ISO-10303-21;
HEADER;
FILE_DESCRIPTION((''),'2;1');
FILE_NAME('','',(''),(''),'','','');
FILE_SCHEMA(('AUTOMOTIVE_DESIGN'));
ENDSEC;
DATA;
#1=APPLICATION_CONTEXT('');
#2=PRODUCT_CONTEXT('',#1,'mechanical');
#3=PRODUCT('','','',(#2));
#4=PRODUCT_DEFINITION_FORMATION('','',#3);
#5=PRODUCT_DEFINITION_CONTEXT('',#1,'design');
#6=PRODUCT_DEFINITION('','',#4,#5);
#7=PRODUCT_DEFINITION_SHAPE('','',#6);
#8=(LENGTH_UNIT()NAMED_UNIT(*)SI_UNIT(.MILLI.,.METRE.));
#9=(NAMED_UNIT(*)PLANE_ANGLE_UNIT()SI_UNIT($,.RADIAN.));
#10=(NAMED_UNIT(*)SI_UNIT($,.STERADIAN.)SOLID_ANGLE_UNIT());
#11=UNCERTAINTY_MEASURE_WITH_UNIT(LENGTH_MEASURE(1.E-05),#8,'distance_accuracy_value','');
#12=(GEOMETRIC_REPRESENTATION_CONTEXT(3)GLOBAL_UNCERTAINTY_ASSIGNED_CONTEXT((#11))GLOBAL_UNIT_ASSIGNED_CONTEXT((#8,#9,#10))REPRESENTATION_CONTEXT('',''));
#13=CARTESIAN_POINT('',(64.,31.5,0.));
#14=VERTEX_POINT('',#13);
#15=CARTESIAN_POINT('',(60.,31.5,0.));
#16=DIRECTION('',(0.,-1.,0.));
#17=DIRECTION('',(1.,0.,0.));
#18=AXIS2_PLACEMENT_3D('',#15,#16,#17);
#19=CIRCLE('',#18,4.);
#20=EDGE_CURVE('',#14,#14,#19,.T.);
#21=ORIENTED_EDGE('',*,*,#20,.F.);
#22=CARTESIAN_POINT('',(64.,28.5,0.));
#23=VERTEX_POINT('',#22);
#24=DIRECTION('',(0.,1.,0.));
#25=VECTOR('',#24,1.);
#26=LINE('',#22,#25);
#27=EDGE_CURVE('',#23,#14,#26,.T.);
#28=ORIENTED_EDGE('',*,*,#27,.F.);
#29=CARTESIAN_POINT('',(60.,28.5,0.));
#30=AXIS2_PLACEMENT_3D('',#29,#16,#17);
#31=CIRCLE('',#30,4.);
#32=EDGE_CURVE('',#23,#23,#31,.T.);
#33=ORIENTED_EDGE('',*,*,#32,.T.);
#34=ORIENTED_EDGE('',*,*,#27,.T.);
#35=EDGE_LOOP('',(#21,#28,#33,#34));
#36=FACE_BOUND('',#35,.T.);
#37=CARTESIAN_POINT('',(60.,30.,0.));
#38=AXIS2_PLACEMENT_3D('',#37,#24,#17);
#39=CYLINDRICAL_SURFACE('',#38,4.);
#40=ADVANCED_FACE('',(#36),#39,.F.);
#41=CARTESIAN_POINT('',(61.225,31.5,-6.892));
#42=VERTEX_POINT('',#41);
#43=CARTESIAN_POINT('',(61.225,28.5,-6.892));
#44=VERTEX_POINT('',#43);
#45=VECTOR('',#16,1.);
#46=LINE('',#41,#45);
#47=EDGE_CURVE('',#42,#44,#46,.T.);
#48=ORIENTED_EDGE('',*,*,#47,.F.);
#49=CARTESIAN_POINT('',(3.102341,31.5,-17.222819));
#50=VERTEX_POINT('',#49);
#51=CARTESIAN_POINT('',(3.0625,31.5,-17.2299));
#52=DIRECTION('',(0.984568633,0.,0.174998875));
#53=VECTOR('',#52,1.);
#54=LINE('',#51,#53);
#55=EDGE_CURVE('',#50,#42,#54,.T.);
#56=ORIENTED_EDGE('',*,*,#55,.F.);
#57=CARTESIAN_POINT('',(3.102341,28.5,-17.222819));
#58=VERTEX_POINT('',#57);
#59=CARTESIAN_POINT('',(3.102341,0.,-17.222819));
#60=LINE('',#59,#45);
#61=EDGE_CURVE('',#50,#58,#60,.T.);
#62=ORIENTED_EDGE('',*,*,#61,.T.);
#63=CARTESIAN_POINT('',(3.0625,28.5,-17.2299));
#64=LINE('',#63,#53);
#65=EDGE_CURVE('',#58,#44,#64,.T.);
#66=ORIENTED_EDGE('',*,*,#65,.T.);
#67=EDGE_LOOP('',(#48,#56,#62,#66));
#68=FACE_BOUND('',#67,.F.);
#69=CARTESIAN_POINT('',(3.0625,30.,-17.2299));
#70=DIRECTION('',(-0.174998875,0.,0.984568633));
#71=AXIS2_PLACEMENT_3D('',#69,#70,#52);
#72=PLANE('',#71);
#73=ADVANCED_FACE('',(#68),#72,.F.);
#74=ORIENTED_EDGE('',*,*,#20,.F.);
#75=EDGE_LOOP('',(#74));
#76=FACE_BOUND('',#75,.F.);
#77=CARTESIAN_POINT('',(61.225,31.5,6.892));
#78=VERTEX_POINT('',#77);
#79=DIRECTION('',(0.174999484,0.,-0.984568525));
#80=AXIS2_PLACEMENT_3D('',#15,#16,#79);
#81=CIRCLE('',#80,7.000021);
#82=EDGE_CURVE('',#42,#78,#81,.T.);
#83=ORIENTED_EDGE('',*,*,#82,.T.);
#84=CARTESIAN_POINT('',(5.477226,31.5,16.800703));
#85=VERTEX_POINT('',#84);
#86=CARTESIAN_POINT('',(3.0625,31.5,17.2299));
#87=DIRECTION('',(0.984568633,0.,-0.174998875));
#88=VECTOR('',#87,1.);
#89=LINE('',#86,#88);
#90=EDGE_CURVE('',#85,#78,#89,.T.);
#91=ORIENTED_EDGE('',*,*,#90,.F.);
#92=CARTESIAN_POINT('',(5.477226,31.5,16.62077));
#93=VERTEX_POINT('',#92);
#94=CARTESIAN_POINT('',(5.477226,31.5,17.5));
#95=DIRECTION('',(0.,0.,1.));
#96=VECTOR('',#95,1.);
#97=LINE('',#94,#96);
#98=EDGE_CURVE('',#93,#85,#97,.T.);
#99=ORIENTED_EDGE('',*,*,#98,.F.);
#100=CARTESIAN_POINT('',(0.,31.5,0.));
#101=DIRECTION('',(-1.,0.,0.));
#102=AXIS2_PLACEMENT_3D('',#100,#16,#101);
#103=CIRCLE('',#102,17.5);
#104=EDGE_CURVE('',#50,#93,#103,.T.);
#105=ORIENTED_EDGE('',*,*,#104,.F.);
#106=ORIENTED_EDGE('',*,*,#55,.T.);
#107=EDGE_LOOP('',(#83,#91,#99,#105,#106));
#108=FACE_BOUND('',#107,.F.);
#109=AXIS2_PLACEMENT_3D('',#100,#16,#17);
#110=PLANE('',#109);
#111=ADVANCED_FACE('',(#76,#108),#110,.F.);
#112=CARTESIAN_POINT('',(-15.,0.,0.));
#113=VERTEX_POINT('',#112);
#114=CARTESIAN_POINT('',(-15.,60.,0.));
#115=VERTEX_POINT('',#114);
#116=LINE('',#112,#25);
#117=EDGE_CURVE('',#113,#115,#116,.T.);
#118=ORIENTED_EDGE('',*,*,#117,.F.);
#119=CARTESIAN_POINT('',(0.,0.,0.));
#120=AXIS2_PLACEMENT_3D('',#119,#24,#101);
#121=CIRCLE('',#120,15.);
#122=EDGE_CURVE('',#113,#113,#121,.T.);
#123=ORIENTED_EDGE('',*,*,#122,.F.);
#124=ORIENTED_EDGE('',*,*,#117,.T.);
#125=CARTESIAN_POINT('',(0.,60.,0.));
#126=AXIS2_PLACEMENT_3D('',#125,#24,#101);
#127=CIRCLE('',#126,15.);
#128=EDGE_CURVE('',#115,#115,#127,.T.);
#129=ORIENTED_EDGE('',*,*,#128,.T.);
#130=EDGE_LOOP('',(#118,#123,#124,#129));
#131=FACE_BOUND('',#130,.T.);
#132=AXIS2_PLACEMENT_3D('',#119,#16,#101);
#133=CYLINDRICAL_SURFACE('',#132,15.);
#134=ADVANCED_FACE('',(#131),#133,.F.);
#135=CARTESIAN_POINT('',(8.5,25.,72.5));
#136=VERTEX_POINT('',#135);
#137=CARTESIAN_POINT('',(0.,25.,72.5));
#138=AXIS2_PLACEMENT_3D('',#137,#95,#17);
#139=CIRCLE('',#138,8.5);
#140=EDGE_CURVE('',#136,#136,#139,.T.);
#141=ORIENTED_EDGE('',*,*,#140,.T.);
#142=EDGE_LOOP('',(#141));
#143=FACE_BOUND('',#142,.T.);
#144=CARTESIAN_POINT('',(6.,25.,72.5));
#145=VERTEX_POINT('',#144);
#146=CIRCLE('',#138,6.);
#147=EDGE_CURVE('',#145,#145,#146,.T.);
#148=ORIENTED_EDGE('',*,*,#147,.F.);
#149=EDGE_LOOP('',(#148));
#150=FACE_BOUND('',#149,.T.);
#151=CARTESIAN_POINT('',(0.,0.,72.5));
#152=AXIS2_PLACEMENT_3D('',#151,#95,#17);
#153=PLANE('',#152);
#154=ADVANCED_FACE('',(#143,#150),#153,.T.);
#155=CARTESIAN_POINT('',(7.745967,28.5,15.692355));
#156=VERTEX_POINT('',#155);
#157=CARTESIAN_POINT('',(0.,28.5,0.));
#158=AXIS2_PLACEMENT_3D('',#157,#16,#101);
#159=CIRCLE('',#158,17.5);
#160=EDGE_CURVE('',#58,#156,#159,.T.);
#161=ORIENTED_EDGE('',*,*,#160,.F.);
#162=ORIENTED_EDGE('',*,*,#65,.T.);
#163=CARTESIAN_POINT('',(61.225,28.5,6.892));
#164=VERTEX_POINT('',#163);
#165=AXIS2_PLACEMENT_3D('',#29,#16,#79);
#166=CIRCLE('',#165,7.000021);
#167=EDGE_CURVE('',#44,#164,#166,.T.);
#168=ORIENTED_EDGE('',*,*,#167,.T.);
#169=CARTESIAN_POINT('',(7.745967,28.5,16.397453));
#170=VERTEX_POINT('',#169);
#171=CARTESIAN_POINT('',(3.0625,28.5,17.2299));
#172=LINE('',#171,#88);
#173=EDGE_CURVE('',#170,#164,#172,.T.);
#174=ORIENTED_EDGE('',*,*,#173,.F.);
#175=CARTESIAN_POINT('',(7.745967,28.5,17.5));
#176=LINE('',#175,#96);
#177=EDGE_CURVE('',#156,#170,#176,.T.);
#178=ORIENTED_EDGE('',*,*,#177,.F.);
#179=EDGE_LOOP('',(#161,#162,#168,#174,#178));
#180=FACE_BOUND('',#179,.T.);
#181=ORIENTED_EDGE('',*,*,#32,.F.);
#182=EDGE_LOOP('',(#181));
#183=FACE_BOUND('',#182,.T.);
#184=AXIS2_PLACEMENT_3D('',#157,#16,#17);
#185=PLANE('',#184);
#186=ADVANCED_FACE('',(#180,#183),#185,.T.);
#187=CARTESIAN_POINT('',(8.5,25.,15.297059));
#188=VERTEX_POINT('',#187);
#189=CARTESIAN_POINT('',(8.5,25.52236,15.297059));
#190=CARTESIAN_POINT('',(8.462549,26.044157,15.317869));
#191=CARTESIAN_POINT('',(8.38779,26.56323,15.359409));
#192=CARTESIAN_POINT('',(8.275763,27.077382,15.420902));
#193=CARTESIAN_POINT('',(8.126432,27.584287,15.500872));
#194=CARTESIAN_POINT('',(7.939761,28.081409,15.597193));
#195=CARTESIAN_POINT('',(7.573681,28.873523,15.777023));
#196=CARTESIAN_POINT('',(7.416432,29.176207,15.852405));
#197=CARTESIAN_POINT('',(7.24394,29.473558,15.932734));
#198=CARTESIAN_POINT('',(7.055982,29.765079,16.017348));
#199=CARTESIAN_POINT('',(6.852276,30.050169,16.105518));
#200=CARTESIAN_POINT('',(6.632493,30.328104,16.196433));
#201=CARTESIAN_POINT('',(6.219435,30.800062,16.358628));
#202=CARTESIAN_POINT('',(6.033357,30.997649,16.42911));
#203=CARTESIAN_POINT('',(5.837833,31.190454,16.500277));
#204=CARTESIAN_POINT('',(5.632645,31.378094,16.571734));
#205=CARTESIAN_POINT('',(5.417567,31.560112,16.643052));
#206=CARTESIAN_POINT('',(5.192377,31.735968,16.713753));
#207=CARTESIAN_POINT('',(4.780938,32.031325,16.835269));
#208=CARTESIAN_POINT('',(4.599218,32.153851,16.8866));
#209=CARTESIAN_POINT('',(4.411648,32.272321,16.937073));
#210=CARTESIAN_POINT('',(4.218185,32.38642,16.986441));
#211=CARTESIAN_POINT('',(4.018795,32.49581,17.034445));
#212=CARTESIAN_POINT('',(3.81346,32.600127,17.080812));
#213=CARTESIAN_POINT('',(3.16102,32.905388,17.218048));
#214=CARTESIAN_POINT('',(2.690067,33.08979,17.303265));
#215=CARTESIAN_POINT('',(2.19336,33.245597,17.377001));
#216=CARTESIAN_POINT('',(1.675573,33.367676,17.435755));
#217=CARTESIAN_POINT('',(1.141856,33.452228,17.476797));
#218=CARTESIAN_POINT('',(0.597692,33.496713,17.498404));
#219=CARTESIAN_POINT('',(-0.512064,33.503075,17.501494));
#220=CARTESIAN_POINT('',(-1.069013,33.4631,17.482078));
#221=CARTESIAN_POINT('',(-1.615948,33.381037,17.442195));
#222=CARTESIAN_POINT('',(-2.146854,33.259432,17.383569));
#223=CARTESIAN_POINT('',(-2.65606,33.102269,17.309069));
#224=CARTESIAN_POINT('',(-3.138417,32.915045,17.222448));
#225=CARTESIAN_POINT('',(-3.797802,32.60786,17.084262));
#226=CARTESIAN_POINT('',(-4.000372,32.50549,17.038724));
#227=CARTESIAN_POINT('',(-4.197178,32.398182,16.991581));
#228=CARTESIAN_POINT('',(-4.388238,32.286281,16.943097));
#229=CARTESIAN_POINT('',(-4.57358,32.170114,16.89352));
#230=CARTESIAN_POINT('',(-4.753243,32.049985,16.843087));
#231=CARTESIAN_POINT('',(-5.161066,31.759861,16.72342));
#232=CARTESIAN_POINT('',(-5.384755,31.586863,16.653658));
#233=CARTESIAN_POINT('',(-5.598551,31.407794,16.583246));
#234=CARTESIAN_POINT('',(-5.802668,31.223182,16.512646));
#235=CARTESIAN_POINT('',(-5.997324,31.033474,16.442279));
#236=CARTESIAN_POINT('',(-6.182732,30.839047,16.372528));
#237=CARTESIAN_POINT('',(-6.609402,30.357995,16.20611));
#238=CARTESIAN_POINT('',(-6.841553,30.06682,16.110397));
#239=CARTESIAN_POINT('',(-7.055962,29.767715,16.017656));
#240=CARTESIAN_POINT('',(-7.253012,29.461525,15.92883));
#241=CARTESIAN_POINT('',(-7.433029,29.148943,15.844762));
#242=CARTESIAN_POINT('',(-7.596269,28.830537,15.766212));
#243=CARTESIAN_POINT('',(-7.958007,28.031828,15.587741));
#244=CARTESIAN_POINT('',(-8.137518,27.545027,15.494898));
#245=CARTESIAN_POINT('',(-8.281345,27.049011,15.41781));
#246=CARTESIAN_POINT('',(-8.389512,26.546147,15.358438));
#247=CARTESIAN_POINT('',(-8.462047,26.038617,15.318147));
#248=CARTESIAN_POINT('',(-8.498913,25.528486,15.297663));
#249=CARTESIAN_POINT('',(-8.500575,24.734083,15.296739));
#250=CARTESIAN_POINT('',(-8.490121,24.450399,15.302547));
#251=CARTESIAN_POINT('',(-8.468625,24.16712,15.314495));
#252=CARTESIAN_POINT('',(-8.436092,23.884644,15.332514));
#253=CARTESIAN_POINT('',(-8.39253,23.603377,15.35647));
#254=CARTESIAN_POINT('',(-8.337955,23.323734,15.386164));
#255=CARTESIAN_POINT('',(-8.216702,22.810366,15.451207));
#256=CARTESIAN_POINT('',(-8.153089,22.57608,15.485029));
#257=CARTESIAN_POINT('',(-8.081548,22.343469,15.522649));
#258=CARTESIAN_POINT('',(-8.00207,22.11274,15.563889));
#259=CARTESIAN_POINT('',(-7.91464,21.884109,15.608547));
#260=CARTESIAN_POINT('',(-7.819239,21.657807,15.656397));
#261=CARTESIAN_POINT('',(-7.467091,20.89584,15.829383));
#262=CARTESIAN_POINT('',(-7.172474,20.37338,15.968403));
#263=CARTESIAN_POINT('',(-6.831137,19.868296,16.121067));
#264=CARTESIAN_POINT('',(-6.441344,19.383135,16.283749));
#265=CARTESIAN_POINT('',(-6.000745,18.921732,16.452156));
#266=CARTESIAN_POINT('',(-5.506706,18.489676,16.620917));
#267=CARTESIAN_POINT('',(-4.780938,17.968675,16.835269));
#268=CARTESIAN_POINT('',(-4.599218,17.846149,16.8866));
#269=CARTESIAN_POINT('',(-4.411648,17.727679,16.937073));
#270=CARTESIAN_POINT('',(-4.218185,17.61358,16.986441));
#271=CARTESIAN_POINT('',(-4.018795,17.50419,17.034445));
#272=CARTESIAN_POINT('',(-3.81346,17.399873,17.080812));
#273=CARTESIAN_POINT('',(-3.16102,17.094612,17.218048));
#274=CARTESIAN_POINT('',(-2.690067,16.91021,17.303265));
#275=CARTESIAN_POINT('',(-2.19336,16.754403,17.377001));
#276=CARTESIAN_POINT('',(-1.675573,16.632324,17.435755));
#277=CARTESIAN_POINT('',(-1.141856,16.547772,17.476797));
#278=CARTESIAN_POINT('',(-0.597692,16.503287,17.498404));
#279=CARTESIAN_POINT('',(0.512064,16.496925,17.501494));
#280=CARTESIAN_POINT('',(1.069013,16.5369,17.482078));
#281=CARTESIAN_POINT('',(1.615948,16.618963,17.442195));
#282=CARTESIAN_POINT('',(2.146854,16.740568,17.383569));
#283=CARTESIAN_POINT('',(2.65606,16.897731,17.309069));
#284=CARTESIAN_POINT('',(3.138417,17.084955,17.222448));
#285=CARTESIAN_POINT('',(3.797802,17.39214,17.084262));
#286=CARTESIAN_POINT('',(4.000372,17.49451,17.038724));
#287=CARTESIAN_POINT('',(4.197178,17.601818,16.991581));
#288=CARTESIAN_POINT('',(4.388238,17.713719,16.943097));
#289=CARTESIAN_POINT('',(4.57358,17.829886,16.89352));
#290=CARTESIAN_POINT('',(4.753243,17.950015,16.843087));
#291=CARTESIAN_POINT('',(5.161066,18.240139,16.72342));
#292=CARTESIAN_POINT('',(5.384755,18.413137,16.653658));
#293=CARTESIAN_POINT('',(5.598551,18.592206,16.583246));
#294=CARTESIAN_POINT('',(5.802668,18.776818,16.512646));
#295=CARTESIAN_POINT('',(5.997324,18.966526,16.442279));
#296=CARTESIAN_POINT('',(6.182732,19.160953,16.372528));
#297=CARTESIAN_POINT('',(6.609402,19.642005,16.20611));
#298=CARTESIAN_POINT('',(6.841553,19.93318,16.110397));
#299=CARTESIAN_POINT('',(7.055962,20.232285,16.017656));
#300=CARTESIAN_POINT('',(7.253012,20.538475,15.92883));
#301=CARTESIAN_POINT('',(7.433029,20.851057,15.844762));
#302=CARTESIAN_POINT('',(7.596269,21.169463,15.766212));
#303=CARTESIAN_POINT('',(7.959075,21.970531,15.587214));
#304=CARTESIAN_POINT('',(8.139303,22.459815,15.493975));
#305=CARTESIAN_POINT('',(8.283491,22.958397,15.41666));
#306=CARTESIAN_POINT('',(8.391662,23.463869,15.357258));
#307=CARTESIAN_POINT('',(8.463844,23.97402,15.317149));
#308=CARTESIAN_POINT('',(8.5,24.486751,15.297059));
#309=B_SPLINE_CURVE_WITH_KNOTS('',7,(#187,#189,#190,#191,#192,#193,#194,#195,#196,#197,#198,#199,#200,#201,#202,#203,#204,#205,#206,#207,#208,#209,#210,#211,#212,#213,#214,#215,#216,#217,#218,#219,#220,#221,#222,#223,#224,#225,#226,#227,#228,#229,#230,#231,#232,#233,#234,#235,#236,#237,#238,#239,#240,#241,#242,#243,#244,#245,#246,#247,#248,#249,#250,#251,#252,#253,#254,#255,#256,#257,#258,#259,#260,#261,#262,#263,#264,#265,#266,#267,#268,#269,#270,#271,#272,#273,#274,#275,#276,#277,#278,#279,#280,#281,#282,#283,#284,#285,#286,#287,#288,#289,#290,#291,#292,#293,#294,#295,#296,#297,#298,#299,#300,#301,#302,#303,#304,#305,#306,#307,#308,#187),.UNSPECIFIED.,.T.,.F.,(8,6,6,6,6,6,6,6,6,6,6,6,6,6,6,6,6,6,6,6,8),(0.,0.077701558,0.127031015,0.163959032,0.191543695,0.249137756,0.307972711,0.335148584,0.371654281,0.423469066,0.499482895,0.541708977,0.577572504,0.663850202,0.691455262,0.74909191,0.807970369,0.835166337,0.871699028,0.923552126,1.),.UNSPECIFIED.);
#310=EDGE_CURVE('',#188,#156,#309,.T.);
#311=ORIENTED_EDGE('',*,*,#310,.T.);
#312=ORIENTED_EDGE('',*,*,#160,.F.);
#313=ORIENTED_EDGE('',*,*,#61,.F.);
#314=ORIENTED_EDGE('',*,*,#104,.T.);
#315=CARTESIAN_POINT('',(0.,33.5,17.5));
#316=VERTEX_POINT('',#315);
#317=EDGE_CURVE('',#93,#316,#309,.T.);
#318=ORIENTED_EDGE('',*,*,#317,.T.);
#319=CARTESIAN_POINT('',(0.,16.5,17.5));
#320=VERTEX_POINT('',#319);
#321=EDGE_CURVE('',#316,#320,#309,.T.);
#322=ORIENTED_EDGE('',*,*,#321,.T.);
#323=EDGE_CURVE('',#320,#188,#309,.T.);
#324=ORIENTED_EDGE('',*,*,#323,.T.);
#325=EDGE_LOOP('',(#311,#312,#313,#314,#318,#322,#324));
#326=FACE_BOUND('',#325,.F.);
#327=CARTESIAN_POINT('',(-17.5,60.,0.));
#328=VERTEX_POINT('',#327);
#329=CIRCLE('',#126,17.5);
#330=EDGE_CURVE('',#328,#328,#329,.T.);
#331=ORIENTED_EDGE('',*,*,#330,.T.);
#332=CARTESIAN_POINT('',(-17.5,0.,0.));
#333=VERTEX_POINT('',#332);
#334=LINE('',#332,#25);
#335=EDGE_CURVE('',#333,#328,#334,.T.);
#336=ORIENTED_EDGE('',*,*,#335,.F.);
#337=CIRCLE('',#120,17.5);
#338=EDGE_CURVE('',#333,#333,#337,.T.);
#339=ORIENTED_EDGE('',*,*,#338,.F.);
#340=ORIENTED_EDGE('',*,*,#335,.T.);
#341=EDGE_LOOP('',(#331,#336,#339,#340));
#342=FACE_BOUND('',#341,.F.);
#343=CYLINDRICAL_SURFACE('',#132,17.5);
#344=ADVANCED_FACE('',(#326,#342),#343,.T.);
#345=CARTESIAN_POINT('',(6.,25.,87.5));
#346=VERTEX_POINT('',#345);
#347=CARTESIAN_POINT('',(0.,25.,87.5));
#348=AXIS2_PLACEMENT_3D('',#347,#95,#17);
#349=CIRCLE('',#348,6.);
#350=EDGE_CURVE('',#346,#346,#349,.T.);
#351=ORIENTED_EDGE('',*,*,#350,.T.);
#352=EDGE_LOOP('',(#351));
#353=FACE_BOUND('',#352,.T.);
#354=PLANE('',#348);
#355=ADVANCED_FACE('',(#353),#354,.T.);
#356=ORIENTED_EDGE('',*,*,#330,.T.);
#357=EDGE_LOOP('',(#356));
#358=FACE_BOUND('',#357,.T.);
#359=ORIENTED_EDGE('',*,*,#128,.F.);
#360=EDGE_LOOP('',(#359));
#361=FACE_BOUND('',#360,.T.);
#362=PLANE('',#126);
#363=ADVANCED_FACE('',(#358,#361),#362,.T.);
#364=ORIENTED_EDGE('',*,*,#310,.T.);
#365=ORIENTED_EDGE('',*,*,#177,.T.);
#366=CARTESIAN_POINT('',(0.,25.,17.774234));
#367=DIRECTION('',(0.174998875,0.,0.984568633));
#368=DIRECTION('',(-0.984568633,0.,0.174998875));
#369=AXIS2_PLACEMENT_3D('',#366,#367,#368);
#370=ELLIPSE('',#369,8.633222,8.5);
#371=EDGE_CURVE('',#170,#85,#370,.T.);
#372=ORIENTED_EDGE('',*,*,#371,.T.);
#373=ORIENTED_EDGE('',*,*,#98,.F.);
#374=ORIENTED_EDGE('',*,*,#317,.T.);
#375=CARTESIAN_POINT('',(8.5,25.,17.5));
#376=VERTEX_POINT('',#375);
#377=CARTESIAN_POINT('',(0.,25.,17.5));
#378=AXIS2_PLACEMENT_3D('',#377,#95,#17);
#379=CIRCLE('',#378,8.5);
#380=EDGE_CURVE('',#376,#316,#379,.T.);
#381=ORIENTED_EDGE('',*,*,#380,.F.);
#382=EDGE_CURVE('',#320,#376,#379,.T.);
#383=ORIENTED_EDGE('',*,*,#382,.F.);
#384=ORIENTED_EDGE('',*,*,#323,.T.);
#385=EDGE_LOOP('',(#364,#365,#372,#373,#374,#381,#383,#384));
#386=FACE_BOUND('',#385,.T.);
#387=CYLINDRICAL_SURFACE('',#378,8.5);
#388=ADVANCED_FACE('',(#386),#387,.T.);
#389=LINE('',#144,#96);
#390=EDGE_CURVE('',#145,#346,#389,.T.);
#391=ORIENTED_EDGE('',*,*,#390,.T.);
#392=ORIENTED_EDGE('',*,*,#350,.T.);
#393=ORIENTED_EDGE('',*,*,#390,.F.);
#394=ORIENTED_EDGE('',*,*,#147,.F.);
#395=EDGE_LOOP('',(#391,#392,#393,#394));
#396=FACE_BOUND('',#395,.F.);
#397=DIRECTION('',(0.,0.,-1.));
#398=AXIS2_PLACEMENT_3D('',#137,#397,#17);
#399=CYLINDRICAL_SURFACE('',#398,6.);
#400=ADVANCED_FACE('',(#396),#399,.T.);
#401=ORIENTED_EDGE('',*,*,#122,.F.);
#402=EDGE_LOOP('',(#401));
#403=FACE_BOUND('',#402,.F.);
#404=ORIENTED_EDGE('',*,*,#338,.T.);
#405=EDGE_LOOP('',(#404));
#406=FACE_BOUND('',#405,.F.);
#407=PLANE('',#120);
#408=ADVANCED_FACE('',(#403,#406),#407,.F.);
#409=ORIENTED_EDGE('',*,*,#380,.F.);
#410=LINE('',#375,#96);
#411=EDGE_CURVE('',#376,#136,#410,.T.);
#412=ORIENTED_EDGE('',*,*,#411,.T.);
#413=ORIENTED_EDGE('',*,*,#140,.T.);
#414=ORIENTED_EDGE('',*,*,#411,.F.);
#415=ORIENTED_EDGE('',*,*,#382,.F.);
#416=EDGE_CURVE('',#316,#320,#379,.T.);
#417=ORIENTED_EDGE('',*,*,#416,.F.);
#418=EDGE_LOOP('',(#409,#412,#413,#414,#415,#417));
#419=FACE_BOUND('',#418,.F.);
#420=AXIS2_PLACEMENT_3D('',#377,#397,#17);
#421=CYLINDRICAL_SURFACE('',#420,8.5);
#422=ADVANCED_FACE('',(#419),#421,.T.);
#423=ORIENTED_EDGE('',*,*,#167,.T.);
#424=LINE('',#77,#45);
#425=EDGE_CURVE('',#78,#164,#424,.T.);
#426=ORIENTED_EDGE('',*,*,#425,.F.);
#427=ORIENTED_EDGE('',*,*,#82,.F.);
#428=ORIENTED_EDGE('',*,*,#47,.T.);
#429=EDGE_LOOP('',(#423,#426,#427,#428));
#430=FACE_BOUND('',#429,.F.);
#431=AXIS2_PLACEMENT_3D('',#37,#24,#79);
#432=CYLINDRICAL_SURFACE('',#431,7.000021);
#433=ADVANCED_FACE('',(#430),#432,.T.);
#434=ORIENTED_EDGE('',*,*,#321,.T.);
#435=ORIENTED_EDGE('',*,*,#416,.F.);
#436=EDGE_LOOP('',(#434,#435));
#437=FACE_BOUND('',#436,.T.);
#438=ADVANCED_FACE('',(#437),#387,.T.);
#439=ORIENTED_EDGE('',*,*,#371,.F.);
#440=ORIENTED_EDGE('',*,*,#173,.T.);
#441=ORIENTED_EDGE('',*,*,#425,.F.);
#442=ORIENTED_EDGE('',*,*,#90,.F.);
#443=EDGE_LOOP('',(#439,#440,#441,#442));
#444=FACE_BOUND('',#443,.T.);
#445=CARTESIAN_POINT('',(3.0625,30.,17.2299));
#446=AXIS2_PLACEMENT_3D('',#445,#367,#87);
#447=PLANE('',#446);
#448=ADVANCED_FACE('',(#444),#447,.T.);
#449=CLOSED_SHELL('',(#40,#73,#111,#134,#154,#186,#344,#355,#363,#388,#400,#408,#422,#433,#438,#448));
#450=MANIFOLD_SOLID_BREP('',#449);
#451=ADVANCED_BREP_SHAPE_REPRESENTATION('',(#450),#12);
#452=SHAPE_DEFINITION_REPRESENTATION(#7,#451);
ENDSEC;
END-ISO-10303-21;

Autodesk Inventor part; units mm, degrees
sketch "Sketch1" plane through (0, 0, 0) normal (0, 1, 0) x (-1, 0, 0)
  line L0 (0, -24.5) -> (0, 24.5) construction
  line L1 (-24.5, 0) -> (24.5, 0) construction
  circle A0 centre (0, 0) radius 17.5
  circle A1 centre (0, 0) radius 15
  dimension "d0" = 35
  dimension "d1" = 30
extrude "Extrusion1" add sketch "Sketch1" along normal blind 60
ref_plane "Work Plane4" through (0, 0, 17.5) normal (0, 0, 1) x (1, 0, 0)
sketch "Sketch2" plane through (0, 0, 17.5) normal (0, 0, 1) x (1, 0, 0)
  line L0 (17.5, 60) -> (-17.5, 60) construction
  line L1 (-17.5, 0) -> (17.5, 0) construction
  line L2 (0, 84) -> (0, -14) construction
  circle A0 centre (0, 25) radius 8.5
  point P0 (0, 0)
  dimension "d5" = 17
  dimension "d6" = 25
extrude "Extrusion2" add sketch "Sketch2" along normal blind 55
extrude "Extrusion3" add sketch "Sketch2" against normal up to next
sketch "Sketch3" plane through (0, 25, 72.5) normal (0, 0, 1) x (1, 0, 0)
  circle A0 centre (0, 0) radius 8.5 construction
  circle A1 centre (0, 0) radius 6
  point P0 (0, -25)
  dimension "d11" = 12
extrude "Extrusion4" add sketch "Sketch3" along normal blind 15
thread "Thread1" size "M12x1.75" class "6g" standard "ISO Metric profile" length 15
ref_plane "Work Plane5" through (17.5, 0, 0) normal (1, 0, 0) x (0, 1, 0)
ref_plane "Work Plane6" through (0, 30, 0) normal (0, -1, 0) x (1, 0, 0)
sketch "Sketch7" plane through (0, 30, 0) normal (0, -1, 0) x (1, 0, 0)
  circle A0 centre (0, 0) radius 15 construction
  line L0 (0, 24.5) -> (0, -24.5) construction
  line L1 (-34.4, 0) -> (83.9, 0) construction
  arc A1 (61.225, -6.892) -> (61.225, 6.892) centre (60, 0) ccw
  line L2 (3.0625, -17.2299) -> (61.225, -6.892)
  line L3 (3.0625, 17.2299) -> (61.225, 6.892)
  arc A2 (3.0625, -17.2299) -> (3.0625, 17.2299) centre (0, 0) ccw
  circle A3 centre (60, 0) radius 4
  dimension "d35" = 14
  dimension "d36" = 60
  dimension "d37" = 8
extrude "Extrusion5" add sketch "Sketch7" along normal mid plane 3
equation "\"d23\" = 55deg"
equation "\"Sketch4_Pitch\" = 1.75"
properties part number "steering_kingpin" material "Steel, Mild"
